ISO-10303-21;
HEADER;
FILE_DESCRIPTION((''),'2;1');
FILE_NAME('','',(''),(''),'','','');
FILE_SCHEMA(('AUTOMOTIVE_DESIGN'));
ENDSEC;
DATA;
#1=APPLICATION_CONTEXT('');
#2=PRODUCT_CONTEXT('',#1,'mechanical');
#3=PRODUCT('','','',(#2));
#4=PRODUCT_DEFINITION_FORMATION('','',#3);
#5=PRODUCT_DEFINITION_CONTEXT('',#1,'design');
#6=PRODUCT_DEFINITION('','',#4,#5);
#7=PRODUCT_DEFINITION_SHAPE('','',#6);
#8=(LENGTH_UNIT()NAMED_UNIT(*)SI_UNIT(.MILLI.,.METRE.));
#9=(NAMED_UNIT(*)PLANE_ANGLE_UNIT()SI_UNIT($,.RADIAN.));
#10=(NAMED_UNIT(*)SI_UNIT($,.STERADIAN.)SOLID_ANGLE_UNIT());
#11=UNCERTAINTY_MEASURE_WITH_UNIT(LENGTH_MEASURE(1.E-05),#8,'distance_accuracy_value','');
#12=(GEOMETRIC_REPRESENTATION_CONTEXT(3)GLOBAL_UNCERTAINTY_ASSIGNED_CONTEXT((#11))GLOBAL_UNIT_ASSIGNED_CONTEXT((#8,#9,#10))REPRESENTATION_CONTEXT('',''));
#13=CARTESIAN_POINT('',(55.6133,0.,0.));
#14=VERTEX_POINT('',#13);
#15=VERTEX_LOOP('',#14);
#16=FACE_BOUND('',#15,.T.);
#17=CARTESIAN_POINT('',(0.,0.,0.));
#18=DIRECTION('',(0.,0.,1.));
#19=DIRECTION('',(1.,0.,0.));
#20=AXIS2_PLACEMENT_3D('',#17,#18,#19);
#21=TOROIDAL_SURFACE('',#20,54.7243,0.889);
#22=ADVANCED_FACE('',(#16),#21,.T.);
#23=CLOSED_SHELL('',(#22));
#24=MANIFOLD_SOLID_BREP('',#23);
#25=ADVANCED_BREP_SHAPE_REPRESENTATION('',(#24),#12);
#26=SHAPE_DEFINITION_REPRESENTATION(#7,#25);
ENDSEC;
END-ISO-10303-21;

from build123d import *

# Parameters (mm, degrees)
SKETCH1_R = 0.889


with BuildPart() as part:
    # Sketch1 → Revolve1 (revolve)
    with BuildSketch(Plane(origin=(0, 0, 0), x_dir=(0, -1, 0), z_dir=(1, 0, 0))):
        with Locations((54.7243, 0)):
            Circle(SKETCH1_R)
    revolve(axis=Axis((0, 0, 0.889), (0, 0, -1)))


solid = part.part
